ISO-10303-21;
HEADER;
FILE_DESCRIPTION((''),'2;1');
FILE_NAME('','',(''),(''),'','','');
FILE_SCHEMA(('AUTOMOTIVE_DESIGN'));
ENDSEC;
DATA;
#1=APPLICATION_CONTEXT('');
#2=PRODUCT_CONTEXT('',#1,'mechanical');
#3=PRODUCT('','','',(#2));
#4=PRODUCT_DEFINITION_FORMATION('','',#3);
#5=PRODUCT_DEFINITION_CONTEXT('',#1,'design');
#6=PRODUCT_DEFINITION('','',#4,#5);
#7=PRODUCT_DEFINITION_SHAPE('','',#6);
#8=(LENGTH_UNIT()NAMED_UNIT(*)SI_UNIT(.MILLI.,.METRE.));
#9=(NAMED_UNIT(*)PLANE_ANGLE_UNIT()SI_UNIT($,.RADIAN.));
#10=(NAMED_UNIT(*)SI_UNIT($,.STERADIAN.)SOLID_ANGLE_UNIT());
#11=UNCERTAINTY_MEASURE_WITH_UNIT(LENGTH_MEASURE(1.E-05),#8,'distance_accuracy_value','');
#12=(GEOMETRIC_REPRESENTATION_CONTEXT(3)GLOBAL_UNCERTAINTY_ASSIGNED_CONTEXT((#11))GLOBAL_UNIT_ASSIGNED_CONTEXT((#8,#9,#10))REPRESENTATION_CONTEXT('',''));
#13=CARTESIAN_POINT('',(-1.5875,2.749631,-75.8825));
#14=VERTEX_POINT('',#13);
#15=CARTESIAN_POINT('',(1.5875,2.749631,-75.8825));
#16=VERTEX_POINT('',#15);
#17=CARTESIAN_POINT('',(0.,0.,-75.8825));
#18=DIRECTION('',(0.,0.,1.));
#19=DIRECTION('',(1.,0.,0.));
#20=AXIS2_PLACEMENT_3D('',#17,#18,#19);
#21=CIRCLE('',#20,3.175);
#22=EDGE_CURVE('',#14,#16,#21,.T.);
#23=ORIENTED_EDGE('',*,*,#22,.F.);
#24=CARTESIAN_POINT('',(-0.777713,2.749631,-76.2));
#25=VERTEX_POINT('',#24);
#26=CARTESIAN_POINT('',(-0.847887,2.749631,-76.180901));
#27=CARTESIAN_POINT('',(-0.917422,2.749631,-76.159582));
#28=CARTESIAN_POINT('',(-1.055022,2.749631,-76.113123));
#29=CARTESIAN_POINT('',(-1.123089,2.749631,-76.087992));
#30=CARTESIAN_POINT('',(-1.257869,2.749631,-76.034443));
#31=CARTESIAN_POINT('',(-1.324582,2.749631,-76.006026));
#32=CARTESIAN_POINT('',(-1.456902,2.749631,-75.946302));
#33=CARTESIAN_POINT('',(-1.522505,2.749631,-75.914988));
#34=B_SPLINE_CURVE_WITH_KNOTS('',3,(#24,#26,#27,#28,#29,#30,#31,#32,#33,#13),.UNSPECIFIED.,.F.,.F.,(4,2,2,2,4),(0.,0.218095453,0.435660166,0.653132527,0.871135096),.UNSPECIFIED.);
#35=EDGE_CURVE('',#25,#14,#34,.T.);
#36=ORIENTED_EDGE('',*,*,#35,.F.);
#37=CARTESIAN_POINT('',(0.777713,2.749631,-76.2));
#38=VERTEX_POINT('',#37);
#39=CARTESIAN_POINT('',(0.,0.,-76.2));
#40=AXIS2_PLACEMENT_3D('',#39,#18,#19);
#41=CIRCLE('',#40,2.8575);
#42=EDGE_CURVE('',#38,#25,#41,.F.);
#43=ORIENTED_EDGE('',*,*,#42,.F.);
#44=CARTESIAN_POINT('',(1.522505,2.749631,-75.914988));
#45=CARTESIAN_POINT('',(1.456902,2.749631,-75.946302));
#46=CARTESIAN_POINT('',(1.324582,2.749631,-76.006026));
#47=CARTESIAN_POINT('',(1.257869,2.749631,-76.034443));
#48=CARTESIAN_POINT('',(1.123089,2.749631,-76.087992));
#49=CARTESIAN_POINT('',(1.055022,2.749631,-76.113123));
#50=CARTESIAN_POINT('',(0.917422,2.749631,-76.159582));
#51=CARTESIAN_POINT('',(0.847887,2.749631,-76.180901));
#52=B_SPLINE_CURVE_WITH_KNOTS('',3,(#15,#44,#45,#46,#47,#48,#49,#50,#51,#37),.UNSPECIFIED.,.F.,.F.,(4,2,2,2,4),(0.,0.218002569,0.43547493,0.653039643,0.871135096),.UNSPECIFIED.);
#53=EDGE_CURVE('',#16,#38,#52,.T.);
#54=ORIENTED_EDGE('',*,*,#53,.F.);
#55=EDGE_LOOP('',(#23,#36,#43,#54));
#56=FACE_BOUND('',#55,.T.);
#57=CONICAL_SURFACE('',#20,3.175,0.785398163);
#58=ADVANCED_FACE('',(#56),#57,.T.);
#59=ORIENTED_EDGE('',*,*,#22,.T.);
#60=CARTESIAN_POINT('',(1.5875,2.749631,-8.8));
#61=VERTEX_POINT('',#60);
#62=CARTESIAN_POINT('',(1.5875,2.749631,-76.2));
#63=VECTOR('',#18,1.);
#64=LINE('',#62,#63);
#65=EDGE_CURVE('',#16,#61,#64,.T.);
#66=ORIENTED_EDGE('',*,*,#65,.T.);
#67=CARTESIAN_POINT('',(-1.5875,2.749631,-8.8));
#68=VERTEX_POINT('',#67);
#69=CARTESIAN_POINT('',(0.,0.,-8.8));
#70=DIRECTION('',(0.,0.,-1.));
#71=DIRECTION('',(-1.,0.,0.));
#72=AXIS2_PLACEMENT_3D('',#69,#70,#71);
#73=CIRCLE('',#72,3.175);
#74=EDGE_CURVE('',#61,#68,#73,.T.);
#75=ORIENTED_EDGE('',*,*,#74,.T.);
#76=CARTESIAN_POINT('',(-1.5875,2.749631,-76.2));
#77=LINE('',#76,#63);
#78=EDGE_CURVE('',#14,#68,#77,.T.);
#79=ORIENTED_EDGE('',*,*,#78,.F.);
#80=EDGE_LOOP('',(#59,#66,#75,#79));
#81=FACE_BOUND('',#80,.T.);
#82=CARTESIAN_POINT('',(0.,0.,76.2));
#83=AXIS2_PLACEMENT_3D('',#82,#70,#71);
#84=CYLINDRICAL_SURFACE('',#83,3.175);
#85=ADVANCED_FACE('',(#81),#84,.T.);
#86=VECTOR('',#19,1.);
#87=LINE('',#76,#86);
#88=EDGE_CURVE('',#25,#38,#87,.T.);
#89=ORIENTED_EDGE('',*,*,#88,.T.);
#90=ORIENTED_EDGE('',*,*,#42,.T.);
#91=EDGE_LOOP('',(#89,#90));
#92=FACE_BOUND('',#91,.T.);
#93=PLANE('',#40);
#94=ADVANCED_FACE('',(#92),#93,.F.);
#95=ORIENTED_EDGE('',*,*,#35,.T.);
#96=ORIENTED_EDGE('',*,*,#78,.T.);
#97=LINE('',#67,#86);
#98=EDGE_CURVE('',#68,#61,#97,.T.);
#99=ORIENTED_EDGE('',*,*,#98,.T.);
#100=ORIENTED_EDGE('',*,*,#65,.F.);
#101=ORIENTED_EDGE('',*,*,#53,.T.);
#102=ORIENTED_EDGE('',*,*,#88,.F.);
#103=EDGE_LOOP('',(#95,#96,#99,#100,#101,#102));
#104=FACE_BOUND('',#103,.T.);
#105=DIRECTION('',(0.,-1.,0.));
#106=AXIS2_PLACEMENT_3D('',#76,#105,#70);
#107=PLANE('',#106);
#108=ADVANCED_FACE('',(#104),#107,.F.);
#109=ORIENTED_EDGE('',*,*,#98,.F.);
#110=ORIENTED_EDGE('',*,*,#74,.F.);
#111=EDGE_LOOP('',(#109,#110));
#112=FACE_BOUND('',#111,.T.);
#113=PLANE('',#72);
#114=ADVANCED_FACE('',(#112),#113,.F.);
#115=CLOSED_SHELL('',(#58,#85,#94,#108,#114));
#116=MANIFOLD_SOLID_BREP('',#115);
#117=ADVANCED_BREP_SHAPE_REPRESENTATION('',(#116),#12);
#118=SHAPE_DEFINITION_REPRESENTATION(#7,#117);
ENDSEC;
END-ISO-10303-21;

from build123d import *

# Parameters (mm, degrees)
BOSS_EXTRUDE2_DEPTH      = 76.2
BOSS_EXTRUDE2_DEPTH_BACK = 76.2
SKETCH3_R                = 3.175
CUT_EXTRUDE5_DEPTH       = 77.332177029
CUT_EXTRUDE5_DEPTH_BACK  = 77.332177029
CHAMFER1_SIZE            = 0.3175
SKETCH11_W               = 9.577733326
SKETCH11_H               = 8.205515822
CUT_EXTRUDE6_DEPTH       = 85


with BuildPart() as part:
    # Sketch3 → Boss-Extrude2 (new, two sides: drawn at the far end of the back side and taken through both)
    with BuildSketch(Plane.XY.offset(-BOSS_EXTRUDE2_DEPTH_BACK)):
        with Locations(Location((0, 0, 0), (0, 0, 180))):
            Circle(SKETCH3_R)
    extrude(amount=BOSS_EXTRUDE2_DEPTH + BOSS_EXTRUDE2_DEPTH_BACK)

    # Sketch10 → Cut-Extrude5 (cut, two sides: drawn at the far end of the back side and taken through both)
    with BuildSketch(Plane.XY.offset(-CUT_EXTRUDE5_DEPTH_BACK)):
        with BuildLine():
            Line((-1.5875, 2.749630657), (1.5875, 2.749630657))
            ThreePointArc((1.5875, 2.749630657), (0, 3.175), (-1.5875, 2.749630657))
        make_face()
    extrude(amount=CUT_EXTRUDE5_DEPTH + CUT_EXTRUDE5_DEPTH_BACK, mode=Mode.SUBTRACT)

    # Chamfer1
    chamfer1_edges = [part.edges().sort_by_distance(p)[0] for p in [
        (0, -3.175, -76.2),
        (0, -3.175, 76.2),
    ]]
    chamfer(chamfer1_edges, length=CHAMFER1_SIZE)

    # Sketch11 → Cut-Extrude6 (cut)
    with BuildSketch(Plane.XY.offset(76.2)):
        Rectangle(SKETCH11_W, SKETCH11_H)
    extrude(amount=-CUT_EXTRUDE6_DEPTH, mode=Mode.SUBTRACT)


solid = part.part
